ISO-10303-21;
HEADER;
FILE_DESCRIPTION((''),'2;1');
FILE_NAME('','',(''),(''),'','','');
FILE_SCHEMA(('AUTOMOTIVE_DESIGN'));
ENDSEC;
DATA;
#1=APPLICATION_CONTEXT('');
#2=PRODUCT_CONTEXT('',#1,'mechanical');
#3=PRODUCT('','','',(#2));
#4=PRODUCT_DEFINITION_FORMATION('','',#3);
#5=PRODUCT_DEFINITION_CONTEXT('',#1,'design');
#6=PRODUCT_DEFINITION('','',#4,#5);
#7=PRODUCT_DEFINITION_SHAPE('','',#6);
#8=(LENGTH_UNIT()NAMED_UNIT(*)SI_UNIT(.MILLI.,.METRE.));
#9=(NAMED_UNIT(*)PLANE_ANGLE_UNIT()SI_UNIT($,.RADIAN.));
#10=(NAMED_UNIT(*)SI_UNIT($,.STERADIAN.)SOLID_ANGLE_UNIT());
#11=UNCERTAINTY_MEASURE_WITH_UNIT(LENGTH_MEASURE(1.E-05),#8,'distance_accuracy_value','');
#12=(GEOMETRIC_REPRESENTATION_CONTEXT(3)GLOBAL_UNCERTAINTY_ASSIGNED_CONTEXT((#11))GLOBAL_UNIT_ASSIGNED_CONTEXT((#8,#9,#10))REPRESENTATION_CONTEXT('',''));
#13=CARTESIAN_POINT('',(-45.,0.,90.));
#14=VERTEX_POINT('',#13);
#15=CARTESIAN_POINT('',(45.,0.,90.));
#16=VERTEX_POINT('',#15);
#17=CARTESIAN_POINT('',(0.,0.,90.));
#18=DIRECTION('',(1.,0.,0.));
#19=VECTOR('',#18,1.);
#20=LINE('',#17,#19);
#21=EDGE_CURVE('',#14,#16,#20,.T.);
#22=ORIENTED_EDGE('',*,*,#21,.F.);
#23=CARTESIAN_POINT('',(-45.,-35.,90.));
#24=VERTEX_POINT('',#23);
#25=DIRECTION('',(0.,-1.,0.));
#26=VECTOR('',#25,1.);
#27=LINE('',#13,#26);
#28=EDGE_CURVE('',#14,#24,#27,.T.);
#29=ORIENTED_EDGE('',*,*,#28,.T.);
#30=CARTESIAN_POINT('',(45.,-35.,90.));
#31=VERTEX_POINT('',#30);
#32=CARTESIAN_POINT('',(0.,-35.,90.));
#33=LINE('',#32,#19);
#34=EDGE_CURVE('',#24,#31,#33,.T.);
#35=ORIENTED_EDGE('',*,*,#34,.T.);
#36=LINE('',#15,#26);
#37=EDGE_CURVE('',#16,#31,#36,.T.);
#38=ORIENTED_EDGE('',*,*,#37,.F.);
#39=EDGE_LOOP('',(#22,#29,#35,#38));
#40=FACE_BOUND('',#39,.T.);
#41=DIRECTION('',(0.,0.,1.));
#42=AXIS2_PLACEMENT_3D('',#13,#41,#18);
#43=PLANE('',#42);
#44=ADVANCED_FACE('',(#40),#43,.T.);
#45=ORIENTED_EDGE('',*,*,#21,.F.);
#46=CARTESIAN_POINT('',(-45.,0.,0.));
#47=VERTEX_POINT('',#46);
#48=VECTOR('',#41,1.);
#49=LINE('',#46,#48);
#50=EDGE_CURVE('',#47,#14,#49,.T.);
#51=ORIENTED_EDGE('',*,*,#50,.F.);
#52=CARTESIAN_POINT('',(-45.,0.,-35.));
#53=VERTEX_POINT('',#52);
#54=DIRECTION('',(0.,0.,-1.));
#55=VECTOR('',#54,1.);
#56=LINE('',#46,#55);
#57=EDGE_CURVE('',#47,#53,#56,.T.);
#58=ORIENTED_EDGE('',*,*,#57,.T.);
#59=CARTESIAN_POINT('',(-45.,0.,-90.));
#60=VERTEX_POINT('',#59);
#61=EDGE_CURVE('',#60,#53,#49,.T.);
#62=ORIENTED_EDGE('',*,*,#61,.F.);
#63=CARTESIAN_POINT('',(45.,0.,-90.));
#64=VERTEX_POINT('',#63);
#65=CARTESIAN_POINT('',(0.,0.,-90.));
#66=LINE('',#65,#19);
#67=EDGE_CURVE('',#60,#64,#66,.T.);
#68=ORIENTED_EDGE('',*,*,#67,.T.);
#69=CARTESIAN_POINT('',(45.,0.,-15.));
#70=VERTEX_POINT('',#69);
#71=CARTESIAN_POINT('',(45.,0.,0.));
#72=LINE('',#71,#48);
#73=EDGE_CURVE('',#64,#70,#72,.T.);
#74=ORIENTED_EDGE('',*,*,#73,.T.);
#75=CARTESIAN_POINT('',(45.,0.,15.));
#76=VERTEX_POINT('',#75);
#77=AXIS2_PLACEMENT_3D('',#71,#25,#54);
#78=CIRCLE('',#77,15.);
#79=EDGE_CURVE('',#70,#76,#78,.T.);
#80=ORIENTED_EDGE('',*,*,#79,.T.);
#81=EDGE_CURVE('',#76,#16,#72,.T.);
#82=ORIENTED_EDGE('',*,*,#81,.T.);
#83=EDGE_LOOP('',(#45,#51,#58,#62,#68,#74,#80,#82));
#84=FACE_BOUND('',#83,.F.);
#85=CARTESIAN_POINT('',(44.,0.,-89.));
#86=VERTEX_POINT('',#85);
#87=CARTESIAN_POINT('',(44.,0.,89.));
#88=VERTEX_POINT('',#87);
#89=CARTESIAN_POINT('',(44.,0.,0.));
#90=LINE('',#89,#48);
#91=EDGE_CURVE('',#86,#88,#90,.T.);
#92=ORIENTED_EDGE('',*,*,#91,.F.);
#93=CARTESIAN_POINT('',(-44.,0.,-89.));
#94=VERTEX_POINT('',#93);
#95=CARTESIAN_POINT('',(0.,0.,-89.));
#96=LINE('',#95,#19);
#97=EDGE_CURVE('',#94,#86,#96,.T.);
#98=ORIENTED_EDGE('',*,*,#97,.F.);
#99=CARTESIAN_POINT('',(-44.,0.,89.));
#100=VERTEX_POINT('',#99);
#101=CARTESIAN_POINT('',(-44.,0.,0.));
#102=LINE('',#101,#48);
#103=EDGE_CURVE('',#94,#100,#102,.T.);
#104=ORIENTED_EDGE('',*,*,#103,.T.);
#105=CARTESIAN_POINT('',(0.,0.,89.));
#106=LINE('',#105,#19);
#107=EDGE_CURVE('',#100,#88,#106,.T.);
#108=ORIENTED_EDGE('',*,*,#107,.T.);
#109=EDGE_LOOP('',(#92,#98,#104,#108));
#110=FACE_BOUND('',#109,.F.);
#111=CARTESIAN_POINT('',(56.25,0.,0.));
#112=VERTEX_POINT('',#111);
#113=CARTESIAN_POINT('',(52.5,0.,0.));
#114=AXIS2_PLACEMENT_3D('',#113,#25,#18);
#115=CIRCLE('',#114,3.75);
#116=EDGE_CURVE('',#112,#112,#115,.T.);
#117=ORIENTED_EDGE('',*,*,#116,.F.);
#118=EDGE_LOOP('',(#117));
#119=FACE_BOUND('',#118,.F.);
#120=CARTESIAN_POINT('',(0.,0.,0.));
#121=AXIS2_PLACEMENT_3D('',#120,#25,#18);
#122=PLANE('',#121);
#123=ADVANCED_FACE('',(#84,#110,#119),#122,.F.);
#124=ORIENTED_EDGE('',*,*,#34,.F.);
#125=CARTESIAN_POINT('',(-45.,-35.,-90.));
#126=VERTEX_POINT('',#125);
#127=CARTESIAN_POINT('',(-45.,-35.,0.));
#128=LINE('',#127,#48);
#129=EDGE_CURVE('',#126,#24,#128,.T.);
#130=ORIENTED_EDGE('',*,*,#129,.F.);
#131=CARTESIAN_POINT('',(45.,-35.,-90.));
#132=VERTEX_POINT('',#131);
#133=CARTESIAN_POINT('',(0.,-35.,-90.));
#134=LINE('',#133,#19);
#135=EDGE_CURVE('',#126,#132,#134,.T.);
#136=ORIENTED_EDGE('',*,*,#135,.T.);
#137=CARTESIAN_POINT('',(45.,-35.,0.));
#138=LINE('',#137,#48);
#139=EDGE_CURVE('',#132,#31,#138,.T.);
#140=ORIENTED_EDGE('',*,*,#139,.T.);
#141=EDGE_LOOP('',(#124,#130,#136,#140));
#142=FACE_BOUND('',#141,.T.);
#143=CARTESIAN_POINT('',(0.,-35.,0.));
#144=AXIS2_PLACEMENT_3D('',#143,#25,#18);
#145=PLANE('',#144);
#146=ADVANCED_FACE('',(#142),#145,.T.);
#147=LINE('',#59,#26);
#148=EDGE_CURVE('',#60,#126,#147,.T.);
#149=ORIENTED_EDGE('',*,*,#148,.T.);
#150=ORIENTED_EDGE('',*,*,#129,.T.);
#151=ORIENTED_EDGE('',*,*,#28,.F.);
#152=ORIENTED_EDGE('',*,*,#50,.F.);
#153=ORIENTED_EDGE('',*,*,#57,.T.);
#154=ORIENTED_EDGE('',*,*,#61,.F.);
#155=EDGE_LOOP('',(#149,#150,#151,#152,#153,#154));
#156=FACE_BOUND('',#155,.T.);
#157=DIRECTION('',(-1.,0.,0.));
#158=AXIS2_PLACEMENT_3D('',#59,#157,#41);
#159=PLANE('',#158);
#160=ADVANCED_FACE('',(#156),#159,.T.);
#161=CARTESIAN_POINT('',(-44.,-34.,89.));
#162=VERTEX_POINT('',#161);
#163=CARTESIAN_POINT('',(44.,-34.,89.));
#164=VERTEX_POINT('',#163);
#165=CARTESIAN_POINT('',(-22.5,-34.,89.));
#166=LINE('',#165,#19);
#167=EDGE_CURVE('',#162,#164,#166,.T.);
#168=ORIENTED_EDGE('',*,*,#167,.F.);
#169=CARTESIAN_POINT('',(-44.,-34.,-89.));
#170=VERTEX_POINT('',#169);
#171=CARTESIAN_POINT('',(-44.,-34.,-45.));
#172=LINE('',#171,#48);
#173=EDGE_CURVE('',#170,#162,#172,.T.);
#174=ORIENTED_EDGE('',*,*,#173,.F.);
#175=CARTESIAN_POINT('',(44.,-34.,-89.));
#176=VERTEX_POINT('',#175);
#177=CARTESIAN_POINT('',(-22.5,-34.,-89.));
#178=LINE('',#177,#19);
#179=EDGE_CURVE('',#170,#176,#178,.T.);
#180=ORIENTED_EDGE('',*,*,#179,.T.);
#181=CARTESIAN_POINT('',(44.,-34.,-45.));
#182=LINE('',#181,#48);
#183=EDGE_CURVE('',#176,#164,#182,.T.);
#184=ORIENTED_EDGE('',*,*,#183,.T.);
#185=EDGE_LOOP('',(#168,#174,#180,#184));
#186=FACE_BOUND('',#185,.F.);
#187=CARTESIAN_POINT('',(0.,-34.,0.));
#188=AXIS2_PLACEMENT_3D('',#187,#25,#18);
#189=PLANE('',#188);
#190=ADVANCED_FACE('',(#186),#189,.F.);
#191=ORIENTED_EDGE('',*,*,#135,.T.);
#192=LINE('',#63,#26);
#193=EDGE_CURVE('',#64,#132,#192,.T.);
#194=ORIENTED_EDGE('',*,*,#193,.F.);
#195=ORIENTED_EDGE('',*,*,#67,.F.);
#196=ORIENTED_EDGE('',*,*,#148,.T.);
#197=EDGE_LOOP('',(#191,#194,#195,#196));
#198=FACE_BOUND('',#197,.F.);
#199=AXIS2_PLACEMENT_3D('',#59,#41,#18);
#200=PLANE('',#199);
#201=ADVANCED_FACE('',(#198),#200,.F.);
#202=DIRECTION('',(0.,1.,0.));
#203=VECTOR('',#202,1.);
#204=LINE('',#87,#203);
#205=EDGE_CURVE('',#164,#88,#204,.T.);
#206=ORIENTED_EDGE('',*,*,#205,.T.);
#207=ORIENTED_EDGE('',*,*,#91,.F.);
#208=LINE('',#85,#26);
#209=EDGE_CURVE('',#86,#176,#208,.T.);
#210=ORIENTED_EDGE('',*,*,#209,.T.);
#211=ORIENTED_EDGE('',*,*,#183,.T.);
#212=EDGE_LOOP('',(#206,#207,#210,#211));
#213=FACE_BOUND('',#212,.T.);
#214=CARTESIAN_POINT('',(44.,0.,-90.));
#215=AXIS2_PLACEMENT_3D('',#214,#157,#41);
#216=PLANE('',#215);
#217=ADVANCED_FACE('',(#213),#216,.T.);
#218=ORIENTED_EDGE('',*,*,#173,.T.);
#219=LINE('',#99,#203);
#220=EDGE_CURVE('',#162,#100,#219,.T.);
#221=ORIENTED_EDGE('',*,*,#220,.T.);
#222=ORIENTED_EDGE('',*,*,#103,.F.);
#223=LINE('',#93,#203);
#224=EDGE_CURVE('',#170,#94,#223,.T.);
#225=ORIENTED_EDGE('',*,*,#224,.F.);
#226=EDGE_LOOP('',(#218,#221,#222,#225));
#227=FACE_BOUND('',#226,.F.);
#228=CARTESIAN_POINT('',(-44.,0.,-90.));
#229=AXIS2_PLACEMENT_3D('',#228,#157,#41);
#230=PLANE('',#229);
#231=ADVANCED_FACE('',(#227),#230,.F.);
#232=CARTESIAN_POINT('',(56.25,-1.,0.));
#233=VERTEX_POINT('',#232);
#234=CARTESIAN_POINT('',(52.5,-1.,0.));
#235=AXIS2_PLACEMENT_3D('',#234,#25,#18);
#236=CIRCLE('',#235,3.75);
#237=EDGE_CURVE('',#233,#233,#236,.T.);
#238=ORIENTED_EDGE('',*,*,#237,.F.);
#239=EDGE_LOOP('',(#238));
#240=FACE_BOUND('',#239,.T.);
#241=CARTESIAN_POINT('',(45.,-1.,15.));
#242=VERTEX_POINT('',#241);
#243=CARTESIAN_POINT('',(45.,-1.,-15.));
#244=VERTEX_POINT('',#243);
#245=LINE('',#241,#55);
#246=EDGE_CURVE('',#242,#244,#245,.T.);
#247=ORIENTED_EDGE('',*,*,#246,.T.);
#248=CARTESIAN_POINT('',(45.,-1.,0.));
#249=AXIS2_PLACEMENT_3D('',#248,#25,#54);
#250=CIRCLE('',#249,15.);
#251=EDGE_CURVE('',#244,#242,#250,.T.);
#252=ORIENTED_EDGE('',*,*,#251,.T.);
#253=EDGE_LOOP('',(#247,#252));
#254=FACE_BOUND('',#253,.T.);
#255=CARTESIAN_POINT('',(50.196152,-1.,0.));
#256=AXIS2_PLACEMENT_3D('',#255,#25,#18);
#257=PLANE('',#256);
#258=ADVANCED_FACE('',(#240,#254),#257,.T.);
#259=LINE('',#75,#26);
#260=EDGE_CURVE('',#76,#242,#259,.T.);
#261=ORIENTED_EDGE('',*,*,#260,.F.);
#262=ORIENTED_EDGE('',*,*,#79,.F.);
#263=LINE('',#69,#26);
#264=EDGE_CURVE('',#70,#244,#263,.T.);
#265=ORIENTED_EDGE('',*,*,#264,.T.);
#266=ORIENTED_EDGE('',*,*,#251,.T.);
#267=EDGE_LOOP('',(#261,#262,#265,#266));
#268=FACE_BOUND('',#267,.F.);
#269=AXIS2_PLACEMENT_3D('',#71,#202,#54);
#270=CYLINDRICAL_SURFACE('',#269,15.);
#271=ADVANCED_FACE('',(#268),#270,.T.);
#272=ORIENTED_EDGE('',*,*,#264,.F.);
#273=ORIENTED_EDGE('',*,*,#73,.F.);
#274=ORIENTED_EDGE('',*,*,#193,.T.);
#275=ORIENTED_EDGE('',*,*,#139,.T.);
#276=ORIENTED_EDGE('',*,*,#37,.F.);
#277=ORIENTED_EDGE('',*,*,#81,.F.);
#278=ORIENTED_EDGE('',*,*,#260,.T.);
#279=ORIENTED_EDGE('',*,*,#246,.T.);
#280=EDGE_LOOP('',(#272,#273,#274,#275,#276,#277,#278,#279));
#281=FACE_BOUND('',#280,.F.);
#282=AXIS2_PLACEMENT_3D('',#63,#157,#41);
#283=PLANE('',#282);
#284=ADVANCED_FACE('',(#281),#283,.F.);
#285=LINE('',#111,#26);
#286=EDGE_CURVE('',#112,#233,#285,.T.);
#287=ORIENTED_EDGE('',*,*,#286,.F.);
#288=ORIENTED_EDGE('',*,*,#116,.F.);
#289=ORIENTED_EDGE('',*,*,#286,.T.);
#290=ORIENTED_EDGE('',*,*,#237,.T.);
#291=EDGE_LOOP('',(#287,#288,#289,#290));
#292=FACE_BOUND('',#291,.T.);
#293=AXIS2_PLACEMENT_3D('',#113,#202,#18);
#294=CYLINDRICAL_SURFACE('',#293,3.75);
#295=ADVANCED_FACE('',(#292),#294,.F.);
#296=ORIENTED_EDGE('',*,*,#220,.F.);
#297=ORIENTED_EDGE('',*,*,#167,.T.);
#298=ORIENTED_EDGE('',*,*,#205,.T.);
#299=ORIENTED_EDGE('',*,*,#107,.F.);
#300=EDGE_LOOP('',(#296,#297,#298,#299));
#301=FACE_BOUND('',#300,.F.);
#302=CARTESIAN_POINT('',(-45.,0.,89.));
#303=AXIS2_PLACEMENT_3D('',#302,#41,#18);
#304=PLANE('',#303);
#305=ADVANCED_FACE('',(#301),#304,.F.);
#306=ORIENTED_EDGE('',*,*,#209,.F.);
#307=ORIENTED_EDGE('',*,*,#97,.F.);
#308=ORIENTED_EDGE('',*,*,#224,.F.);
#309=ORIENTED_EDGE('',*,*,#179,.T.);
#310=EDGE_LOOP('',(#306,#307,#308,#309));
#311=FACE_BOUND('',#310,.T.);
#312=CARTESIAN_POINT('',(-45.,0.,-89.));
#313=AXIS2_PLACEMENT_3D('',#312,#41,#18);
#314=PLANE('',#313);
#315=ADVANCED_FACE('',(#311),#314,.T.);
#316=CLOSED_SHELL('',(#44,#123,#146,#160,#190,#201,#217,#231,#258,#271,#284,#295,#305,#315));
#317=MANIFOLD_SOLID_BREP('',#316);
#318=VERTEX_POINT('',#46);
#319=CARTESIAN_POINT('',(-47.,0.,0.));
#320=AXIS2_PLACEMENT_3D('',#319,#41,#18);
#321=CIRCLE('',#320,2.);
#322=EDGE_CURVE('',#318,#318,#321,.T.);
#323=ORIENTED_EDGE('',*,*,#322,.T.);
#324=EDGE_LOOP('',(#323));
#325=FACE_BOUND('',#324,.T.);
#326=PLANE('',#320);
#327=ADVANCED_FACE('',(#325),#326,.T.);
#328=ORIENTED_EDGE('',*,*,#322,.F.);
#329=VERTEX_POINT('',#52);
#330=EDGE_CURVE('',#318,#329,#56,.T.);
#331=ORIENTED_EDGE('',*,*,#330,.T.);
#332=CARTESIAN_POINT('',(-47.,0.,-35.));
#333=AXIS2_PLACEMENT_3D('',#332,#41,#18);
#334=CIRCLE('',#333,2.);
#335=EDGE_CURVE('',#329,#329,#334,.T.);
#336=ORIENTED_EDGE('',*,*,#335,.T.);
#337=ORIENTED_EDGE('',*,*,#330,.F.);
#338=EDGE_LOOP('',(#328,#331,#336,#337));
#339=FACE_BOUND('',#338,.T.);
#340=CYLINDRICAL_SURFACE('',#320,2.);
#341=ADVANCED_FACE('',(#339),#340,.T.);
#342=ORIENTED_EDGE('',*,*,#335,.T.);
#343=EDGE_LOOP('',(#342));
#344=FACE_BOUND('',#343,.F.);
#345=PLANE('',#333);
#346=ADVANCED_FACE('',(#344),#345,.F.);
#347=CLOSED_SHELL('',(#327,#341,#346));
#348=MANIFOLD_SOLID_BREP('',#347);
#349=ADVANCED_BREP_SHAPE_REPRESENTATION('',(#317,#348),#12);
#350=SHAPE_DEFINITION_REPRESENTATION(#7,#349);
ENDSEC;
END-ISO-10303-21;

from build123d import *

# Parameters (mm, degrees)
F0_W     = 90
F0_H     = 180
F1_DEPTH = 35
F2_T     = -1
F3_R     = 3.75
F4_DEPTH = 1
F5_R     = 2
F6_DEPTH = 35


with BuildPart() as f1:
    # F0 (on Front) → F1 (new body)
    with BuildSketch(Plane.XZ):
        Rectangle(F0_W, F0_H)
    extrude(amount=F1_DEPTH)

    # F2
    f2_openings = [f1.faces().sort_by_distance(p)[0] for p in [
        (0, 0, 0),
    ]]
    offset(amount=F2_T, openings=f2_openings)

    # F3 (on Front) → F4 (join)
    with BuildSketch(Plane.XZ):
        with BuildLine():
            ThreePointArc((45, -15), (60, 0), (45, 15))
            Line((45, 15), (45, -15))
        make_face()
        with Locations((52.5, 0)):
            Circle(F3_R, mode=Mode.SUBTRACT)
    extrude(amount=F4_DEPTH)

    # F5 (on Top) → F6 (join)
    with BuildSketch(Plane.XY):
        with Locations((-47, 0)):
            Circle(F5_R)
    extrude(amount=-F6_DEPTH)


solid = f1.part
